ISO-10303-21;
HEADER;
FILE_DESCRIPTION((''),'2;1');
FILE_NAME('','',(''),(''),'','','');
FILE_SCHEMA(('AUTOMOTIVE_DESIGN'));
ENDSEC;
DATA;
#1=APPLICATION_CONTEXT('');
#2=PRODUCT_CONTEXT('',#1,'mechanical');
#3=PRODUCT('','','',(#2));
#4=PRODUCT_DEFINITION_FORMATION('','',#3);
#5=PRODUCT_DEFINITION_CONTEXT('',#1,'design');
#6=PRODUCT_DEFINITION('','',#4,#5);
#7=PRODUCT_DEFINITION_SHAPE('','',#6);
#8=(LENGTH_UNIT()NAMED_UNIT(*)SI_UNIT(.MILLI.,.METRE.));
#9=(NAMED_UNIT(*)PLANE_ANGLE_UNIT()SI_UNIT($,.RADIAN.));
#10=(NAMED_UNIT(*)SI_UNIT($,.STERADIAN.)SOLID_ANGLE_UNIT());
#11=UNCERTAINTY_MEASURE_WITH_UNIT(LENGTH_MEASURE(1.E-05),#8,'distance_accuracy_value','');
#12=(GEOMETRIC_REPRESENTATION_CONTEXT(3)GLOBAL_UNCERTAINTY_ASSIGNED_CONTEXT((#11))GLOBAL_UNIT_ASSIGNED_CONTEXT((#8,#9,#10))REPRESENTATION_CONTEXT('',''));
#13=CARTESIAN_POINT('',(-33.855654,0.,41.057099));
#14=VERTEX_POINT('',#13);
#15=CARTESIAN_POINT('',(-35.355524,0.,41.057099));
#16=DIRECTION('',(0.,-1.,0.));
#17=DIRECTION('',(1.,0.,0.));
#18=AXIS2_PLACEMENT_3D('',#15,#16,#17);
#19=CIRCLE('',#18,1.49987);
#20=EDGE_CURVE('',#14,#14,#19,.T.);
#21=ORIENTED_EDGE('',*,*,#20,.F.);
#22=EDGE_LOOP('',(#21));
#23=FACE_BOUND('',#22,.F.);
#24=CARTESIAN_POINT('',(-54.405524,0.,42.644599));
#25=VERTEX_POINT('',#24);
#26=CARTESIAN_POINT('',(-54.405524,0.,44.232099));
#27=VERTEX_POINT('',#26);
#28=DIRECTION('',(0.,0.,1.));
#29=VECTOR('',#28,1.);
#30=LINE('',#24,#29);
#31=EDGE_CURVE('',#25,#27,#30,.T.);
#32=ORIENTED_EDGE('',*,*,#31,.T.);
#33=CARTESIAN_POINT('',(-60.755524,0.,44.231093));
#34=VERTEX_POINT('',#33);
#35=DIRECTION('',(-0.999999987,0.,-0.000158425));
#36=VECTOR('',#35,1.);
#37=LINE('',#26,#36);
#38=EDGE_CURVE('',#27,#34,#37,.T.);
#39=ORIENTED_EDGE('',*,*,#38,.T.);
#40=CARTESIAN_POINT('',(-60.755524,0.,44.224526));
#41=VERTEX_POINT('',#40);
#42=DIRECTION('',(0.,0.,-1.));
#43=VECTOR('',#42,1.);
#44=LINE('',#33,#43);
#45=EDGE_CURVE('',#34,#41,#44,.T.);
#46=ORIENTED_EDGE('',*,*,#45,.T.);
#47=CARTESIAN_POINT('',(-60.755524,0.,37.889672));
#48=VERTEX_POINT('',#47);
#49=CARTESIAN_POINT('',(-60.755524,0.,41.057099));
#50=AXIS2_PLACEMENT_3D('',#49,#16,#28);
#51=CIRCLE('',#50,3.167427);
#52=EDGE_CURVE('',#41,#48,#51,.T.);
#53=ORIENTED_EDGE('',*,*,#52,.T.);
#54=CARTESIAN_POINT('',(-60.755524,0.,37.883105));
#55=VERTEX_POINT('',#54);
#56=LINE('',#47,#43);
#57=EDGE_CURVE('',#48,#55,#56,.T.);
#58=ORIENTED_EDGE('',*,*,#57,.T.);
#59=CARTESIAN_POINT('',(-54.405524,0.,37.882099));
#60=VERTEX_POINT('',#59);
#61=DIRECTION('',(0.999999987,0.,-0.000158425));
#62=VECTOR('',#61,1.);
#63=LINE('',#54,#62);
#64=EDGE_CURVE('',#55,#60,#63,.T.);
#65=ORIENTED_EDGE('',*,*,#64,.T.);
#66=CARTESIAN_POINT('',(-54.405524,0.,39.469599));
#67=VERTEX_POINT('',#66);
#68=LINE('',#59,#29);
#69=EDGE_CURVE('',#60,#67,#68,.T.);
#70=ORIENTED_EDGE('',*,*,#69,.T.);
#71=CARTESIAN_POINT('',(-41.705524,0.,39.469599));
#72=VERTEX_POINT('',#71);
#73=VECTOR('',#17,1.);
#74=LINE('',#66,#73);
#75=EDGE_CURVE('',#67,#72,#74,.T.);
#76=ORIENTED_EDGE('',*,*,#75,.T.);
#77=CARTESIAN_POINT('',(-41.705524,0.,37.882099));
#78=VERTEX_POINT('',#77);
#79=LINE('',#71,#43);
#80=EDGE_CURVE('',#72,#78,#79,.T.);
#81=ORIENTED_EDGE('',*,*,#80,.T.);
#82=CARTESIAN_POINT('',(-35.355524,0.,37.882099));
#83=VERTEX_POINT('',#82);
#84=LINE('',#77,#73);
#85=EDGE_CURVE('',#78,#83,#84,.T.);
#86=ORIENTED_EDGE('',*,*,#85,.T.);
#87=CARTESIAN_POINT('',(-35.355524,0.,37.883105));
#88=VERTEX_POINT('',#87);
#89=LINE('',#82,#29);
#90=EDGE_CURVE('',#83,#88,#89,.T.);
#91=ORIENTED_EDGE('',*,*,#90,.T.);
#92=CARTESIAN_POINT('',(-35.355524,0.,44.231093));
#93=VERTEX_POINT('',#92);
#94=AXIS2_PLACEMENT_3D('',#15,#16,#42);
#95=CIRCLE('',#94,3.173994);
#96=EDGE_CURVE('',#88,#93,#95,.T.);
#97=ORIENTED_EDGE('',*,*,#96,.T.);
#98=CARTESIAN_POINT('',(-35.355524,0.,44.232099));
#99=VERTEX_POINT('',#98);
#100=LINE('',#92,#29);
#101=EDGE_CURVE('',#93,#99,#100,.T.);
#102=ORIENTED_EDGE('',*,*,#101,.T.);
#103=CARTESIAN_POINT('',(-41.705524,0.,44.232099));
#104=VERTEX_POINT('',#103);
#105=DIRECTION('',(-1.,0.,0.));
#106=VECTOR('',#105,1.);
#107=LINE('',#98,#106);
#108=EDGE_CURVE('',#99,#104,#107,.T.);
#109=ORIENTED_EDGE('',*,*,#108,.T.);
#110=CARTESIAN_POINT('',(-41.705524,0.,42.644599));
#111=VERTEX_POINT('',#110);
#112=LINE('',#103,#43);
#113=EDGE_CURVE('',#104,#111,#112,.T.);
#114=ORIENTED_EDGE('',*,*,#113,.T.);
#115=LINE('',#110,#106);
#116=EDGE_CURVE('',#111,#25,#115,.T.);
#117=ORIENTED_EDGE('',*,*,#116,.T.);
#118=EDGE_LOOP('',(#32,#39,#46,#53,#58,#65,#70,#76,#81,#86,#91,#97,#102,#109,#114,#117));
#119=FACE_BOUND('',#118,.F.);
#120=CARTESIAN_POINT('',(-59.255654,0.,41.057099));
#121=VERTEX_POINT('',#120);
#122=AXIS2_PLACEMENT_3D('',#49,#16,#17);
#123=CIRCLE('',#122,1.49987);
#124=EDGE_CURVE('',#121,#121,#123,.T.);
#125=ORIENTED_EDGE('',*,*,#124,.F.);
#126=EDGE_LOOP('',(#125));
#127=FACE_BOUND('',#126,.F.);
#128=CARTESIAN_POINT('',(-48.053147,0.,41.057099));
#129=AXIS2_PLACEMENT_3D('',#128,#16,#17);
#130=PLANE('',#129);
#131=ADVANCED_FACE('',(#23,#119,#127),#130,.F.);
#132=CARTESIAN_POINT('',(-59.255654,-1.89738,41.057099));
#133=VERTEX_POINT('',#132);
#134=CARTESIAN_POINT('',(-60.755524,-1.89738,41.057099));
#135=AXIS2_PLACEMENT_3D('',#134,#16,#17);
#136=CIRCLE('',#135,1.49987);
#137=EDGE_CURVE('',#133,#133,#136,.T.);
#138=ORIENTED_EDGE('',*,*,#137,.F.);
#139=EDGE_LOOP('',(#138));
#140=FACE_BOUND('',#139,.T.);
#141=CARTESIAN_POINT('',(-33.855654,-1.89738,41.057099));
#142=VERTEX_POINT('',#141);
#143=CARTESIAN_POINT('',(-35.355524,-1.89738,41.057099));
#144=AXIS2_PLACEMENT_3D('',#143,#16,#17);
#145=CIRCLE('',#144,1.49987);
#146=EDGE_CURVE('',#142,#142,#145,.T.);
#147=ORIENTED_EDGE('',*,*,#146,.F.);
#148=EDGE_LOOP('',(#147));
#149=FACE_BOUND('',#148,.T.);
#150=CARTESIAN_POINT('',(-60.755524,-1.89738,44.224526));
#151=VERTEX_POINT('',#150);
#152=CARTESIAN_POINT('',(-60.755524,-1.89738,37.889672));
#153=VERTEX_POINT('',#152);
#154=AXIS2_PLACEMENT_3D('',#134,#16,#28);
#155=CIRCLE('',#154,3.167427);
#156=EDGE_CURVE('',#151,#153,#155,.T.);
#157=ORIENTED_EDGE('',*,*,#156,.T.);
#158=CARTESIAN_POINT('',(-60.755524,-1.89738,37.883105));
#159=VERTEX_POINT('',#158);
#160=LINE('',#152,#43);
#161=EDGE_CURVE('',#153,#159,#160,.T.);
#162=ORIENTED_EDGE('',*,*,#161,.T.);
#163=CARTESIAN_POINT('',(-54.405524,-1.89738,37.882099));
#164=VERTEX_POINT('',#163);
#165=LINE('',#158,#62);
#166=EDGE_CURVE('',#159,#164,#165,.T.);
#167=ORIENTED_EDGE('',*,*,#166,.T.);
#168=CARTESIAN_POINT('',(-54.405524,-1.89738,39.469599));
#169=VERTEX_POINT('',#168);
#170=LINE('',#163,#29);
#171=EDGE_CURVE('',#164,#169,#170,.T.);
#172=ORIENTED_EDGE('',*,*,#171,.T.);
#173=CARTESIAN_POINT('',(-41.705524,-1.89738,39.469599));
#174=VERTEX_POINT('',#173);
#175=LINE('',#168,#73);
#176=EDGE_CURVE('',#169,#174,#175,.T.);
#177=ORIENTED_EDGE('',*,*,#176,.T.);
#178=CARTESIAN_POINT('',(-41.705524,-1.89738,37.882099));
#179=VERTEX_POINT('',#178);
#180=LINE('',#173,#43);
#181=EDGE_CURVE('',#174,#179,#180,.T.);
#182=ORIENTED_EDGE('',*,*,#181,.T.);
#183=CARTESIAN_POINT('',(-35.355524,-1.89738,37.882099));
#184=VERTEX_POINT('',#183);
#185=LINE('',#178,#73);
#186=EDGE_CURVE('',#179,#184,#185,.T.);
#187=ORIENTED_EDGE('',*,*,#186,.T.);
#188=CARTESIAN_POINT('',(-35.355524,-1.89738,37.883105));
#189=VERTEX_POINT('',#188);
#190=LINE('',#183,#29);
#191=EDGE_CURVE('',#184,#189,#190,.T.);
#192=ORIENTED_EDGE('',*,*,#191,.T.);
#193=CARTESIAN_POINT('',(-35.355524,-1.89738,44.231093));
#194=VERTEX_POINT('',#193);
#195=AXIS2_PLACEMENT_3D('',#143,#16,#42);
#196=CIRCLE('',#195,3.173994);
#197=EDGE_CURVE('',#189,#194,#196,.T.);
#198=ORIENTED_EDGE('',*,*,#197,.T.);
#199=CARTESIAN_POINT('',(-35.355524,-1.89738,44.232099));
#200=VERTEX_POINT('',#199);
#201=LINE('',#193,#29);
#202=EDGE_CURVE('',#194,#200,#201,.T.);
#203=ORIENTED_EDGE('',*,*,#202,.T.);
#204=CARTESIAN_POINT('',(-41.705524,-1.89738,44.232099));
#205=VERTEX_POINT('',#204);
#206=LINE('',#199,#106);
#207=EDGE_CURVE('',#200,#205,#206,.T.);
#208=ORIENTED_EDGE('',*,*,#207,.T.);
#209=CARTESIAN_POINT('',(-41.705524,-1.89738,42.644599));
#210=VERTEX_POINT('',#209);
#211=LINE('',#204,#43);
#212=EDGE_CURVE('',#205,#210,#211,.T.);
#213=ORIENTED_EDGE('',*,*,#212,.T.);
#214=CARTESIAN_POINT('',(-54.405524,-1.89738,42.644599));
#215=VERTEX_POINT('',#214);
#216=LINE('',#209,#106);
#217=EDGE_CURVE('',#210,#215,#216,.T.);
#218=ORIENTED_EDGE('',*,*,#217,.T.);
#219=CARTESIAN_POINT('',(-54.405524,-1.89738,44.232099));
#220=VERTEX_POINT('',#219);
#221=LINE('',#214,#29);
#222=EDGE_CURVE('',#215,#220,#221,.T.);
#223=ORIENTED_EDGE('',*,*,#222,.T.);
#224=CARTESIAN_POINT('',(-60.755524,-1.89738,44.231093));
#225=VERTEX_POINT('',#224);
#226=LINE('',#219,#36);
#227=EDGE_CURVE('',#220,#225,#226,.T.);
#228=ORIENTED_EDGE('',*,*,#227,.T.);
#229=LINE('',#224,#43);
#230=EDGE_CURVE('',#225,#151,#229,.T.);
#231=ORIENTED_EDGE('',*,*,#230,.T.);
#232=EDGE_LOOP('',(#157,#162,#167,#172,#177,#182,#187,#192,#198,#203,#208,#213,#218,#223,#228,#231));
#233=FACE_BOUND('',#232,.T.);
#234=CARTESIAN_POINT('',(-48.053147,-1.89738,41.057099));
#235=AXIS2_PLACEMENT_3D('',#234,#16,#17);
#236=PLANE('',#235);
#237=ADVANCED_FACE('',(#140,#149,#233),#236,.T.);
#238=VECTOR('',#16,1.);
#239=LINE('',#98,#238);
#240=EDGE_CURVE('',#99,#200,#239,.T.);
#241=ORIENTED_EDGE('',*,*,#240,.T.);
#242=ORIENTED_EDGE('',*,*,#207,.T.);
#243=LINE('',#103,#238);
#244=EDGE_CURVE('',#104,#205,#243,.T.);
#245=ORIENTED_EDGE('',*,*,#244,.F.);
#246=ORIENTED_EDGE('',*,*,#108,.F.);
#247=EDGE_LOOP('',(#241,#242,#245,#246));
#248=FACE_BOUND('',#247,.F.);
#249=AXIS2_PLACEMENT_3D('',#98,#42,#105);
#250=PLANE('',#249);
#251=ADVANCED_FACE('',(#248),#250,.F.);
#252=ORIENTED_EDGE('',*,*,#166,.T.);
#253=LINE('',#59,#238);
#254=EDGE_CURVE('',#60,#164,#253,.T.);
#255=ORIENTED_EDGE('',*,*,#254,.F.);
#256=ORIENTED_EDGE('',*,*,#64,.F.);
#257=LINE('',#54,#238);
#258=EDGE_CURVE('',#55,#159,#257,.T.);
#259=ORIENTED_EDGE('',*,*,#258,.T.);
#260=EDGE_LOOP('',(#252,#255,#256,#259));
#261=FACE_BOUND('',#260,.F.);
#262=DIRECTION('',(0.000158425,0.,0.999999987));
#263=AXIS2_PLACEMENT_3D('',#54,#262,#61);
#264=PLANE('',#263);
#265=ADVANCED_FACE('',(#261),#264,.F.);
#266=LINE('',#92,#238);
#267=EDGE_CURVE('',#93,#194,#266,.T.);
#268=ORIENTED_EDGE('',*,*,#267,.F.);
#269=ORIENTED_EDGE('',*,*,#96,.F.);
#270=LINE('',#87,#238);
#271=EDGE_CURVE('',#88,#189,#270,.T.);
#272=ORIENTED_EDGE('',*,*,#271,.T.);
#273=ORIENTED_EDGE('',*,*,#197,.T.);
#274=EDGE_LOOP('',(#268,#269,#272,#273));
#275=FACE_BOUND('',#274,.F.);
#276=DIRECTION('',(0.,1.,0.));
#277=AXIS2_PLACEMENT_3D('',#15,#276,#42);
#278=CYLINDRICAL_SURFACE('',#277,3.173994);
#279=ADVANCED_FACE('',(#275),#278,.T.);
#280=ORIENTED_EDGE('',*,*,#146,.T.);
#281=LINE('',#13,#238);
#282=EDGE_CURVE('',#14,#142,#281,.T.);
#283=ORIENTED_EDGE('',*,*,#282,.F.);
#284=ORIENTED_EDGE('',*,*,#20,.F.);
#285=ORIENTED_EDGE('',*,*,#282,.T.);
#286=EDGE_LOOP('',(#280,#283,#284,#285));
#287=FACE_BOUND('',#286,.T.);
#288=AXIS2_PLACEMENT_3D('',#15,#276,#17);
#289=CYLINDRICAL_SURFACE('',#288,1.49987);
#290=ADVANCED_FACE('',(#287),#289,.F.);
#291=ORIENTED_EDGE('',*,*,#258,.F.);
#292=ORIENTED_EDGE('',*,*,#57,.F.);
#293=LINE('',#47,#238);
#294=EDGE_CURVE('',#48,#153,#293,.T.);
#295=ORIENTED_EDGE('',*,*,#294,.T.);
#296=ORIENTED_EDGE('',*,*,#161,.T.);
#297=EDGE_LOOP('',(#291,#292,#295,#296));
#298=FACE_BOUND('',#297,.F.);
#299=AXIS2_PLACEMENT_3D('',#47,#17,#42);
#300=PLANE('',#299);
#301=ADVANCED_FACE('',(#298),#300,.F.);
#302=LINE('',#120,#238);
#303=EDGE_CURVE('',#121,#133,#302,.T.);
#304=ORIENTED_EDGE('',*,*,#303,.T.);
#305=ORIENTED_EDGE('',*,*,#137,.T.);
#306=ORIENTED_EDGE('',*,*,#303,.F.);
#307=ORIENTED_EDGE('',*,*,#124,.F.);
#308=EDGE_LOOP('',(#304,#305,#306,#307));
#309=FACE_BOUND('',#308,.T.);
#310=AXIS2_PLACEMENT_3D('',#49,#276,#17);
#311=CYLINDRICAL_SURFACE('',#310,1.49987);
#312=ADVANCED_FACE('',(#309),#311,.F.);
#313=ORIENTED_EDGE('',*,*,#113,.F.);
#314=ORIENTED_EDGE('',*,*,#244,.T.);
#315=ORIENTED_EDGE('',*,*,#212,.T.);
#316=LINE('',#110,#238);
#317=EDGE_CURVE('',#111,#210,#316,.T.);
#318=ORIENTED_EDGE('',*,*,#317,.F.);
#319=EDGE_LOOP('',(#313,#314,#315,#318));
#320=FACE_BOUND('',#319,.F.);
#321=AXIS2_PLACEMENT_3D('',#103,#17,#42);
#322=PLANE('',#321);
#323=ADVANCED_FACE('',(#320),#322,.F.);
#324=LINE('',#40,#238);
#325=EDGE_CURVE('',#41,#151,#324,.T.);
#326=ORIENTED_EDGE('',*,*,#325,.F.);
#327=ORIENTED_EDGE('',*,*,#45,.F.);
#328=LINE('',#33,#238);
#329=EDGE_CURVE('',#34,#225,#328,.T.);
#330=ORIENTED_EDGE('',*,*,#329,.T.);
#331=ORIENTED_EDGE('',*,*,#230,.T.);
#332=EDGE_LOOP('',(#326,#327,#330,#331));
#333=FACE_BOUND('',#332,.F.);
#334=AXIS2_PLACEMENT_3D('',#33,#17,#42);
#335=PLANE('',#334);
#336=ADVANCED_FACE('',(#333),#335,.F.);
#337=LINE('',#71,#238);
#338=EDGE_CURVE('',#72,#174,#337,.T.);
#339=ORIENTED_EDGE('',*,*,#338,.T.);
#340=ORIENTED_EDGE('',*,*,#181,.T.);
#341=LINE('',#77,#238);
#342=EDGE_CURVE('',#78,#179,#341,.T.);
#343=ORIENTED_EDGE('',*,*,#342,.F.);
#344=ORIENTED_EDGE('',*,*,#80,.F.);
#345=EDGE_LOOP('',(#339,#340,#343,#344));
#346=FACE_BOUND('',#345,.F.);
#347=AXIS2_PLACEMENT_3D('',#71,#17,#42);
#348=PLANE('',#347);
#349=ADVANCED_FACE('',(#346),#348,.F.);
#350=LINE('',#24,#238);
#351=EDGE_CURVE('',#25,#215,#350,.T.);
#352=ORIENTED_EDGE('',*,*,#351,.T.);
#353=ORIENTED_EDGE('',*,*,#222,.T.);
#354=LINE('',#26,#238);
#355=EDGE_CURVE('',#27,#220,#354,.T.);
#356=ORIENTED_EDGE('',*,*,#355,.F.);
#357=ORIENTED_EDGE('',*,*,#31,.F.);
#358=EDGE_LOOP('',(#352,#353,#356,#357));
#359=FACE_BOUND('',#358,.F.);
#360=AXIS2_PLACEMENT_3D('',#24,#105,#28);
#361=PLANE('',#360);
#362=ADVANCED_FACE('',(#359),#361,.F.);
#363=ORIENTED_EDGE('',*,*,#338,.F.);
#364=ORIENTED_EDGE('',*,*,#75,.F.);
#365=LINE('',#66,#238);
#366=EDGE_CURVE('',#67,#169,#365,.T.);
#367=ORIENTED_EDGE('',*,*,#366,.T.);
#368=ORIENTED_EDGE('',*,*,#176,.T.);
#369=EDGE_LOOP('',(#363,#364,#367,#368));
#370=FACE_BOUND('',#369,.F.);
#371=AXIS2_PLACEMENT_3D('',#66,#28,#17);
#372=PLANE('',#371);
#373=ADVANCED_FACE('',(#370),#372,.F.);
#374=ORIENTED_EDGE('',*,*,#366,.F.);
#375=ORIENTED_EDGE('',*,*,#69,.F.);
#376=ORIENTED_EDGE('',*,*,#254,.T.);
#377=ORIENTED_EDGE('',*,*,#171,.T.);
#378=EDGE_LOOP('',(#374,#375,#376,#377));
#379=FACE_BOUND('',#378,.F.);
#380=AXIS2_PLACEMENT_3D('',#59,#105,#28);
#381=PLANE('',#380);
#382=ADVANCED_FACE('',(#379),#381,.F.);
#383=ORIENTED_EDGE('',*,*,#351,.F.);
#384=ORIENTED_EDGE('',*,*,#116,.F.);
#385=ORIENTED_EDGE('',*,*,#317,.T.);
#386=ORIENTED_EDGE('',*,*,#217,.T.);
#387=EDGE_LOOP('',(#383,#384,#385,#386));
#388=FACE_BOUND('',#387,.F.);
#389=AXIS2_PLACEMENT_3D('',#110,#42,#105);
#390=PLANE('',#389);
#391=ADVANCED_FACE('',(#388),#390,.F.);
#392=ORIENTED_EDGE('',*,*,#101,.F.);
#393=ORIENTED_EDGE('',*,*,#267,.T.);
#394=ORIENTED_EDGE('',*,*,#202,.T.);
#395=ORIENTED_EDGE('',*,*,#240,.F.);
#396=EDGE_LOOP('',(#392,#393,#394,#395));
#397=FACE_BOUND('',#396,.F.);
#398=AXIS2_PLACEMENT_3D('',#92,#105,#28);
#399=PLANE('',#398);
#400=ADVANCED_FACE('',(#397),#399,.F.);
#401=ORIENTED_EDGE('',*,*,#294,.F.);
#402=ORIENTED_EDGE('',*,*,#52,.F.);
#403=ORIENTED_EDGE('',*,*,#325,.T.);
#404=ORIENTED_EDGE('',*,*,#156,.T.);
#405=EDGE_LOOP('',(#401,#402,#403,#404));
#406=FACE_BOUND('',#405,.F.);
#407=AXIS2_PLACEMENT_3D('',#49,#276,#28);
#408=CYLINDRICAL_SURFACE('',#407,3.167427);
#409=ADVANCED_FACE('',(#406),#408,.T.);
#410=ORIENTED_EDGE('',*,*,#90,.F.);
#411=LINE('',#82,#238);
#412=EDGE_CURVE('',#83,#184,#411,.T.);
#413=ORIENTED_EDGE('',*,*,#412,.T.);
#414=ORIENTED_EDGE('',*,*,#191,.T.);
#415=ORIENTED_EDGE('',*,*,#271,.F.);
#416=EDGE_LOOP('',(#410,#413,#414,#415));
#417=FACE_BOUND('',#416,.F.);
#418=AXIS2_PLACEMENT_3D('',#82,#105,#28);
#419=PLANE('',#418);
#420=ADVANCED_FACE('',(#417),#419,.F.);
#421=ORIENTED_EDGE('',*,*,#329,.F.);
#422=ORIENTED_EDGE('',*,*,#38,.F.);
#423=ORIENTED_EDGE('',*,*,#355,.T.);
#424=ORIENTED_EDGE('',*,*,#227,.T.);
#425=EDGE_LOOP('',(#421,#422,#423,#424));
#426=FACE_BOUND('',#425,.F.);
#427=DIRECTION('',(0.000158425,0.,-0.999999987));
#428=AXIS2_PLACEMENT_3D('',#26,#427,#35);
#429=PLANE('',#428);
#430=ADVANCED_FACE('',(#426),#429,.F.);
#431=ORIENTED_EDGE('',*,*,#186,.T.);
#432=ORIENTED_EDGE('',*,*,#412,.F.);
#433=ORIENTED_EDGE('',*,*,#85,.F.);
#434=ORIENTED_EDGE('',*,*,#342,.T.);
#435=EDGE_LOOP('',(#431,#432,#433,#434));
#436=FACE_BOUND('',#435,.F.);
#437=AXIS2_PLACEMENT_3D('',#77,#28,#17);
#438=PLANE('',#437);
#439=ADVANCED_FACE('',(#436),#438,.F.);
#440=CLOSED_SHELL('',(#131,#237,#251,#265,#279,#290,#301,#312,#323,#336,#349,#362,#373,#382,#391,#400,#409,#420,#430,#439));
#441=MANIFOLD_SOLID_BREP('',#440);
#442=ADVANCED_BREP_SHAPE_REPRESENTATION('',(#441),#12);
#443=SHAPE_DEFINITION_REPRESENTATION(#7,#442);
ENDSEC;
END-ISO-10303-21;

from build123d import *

# Parameters (mm, degrees)
F0_R     = 1.49987
F1_DEPTH = 1.89738


with BuildPart() as f1:
    # F0 (on Front) → F1 (new body)
    with BuildSketch(Plane.XZ):
        with BuildLine():
            Line((-35.355524, 44.232099), (-41.705524, 44.232099))
            Line((-41.705524, 44.232099), (-41.705524, 42.644599))
            Line((-41.705524, 42.644599), (-54.405524, 42.644599))
            Line((-54.405524, 42.644599), (-54.405524, 44.232099))
            Line((-54.405524, 44.232099), (-60.755524, 44.231093))
            Line((-60.755524, 44.231093), (-60.755524, 44.224526))
            ThreePointArc((-60.755524, 44.224526), (-63.922951, 41.057099), (-60.755524, 37.889672))
            Line((-60.755524, 37.889672), (-60.755524, 37.883105))
            Line((-60.755524, 37.883105), (-54.405524, 37.882099))
            Line((-54.405524, 37.882099), (-54.405524, 39.469599))
            Line((-54.405524, 39.469599), (-41.705524, 39.469599))
            Line((-41.705524, 39.469599), (-41.705524, 37.882099))
            Line((-41.705524, 37.882099), (-35.355524, 37.882099))
            Line((-35.355524, 37.882099), (-35.355524, 37.883105))
            ThreePointArc((-35.355524, 37.883105), (-32.18153, 41.057099), (-35.355524, 44.231093))
            Line((-35.355524, 44.231093), (-35.355524, 44.232099))
        make_face()
        with Locations((-60.755524, 41.057099)):
            Circle(F0_R, mode=Mode.SUBTRACT)
        with Locations((-35.355524, 41.057099)):
            Circle(F0_R, mode=Mode.SUBTRACT)
    extrude(amount=F1_DEPTH)


solid = f1.part
